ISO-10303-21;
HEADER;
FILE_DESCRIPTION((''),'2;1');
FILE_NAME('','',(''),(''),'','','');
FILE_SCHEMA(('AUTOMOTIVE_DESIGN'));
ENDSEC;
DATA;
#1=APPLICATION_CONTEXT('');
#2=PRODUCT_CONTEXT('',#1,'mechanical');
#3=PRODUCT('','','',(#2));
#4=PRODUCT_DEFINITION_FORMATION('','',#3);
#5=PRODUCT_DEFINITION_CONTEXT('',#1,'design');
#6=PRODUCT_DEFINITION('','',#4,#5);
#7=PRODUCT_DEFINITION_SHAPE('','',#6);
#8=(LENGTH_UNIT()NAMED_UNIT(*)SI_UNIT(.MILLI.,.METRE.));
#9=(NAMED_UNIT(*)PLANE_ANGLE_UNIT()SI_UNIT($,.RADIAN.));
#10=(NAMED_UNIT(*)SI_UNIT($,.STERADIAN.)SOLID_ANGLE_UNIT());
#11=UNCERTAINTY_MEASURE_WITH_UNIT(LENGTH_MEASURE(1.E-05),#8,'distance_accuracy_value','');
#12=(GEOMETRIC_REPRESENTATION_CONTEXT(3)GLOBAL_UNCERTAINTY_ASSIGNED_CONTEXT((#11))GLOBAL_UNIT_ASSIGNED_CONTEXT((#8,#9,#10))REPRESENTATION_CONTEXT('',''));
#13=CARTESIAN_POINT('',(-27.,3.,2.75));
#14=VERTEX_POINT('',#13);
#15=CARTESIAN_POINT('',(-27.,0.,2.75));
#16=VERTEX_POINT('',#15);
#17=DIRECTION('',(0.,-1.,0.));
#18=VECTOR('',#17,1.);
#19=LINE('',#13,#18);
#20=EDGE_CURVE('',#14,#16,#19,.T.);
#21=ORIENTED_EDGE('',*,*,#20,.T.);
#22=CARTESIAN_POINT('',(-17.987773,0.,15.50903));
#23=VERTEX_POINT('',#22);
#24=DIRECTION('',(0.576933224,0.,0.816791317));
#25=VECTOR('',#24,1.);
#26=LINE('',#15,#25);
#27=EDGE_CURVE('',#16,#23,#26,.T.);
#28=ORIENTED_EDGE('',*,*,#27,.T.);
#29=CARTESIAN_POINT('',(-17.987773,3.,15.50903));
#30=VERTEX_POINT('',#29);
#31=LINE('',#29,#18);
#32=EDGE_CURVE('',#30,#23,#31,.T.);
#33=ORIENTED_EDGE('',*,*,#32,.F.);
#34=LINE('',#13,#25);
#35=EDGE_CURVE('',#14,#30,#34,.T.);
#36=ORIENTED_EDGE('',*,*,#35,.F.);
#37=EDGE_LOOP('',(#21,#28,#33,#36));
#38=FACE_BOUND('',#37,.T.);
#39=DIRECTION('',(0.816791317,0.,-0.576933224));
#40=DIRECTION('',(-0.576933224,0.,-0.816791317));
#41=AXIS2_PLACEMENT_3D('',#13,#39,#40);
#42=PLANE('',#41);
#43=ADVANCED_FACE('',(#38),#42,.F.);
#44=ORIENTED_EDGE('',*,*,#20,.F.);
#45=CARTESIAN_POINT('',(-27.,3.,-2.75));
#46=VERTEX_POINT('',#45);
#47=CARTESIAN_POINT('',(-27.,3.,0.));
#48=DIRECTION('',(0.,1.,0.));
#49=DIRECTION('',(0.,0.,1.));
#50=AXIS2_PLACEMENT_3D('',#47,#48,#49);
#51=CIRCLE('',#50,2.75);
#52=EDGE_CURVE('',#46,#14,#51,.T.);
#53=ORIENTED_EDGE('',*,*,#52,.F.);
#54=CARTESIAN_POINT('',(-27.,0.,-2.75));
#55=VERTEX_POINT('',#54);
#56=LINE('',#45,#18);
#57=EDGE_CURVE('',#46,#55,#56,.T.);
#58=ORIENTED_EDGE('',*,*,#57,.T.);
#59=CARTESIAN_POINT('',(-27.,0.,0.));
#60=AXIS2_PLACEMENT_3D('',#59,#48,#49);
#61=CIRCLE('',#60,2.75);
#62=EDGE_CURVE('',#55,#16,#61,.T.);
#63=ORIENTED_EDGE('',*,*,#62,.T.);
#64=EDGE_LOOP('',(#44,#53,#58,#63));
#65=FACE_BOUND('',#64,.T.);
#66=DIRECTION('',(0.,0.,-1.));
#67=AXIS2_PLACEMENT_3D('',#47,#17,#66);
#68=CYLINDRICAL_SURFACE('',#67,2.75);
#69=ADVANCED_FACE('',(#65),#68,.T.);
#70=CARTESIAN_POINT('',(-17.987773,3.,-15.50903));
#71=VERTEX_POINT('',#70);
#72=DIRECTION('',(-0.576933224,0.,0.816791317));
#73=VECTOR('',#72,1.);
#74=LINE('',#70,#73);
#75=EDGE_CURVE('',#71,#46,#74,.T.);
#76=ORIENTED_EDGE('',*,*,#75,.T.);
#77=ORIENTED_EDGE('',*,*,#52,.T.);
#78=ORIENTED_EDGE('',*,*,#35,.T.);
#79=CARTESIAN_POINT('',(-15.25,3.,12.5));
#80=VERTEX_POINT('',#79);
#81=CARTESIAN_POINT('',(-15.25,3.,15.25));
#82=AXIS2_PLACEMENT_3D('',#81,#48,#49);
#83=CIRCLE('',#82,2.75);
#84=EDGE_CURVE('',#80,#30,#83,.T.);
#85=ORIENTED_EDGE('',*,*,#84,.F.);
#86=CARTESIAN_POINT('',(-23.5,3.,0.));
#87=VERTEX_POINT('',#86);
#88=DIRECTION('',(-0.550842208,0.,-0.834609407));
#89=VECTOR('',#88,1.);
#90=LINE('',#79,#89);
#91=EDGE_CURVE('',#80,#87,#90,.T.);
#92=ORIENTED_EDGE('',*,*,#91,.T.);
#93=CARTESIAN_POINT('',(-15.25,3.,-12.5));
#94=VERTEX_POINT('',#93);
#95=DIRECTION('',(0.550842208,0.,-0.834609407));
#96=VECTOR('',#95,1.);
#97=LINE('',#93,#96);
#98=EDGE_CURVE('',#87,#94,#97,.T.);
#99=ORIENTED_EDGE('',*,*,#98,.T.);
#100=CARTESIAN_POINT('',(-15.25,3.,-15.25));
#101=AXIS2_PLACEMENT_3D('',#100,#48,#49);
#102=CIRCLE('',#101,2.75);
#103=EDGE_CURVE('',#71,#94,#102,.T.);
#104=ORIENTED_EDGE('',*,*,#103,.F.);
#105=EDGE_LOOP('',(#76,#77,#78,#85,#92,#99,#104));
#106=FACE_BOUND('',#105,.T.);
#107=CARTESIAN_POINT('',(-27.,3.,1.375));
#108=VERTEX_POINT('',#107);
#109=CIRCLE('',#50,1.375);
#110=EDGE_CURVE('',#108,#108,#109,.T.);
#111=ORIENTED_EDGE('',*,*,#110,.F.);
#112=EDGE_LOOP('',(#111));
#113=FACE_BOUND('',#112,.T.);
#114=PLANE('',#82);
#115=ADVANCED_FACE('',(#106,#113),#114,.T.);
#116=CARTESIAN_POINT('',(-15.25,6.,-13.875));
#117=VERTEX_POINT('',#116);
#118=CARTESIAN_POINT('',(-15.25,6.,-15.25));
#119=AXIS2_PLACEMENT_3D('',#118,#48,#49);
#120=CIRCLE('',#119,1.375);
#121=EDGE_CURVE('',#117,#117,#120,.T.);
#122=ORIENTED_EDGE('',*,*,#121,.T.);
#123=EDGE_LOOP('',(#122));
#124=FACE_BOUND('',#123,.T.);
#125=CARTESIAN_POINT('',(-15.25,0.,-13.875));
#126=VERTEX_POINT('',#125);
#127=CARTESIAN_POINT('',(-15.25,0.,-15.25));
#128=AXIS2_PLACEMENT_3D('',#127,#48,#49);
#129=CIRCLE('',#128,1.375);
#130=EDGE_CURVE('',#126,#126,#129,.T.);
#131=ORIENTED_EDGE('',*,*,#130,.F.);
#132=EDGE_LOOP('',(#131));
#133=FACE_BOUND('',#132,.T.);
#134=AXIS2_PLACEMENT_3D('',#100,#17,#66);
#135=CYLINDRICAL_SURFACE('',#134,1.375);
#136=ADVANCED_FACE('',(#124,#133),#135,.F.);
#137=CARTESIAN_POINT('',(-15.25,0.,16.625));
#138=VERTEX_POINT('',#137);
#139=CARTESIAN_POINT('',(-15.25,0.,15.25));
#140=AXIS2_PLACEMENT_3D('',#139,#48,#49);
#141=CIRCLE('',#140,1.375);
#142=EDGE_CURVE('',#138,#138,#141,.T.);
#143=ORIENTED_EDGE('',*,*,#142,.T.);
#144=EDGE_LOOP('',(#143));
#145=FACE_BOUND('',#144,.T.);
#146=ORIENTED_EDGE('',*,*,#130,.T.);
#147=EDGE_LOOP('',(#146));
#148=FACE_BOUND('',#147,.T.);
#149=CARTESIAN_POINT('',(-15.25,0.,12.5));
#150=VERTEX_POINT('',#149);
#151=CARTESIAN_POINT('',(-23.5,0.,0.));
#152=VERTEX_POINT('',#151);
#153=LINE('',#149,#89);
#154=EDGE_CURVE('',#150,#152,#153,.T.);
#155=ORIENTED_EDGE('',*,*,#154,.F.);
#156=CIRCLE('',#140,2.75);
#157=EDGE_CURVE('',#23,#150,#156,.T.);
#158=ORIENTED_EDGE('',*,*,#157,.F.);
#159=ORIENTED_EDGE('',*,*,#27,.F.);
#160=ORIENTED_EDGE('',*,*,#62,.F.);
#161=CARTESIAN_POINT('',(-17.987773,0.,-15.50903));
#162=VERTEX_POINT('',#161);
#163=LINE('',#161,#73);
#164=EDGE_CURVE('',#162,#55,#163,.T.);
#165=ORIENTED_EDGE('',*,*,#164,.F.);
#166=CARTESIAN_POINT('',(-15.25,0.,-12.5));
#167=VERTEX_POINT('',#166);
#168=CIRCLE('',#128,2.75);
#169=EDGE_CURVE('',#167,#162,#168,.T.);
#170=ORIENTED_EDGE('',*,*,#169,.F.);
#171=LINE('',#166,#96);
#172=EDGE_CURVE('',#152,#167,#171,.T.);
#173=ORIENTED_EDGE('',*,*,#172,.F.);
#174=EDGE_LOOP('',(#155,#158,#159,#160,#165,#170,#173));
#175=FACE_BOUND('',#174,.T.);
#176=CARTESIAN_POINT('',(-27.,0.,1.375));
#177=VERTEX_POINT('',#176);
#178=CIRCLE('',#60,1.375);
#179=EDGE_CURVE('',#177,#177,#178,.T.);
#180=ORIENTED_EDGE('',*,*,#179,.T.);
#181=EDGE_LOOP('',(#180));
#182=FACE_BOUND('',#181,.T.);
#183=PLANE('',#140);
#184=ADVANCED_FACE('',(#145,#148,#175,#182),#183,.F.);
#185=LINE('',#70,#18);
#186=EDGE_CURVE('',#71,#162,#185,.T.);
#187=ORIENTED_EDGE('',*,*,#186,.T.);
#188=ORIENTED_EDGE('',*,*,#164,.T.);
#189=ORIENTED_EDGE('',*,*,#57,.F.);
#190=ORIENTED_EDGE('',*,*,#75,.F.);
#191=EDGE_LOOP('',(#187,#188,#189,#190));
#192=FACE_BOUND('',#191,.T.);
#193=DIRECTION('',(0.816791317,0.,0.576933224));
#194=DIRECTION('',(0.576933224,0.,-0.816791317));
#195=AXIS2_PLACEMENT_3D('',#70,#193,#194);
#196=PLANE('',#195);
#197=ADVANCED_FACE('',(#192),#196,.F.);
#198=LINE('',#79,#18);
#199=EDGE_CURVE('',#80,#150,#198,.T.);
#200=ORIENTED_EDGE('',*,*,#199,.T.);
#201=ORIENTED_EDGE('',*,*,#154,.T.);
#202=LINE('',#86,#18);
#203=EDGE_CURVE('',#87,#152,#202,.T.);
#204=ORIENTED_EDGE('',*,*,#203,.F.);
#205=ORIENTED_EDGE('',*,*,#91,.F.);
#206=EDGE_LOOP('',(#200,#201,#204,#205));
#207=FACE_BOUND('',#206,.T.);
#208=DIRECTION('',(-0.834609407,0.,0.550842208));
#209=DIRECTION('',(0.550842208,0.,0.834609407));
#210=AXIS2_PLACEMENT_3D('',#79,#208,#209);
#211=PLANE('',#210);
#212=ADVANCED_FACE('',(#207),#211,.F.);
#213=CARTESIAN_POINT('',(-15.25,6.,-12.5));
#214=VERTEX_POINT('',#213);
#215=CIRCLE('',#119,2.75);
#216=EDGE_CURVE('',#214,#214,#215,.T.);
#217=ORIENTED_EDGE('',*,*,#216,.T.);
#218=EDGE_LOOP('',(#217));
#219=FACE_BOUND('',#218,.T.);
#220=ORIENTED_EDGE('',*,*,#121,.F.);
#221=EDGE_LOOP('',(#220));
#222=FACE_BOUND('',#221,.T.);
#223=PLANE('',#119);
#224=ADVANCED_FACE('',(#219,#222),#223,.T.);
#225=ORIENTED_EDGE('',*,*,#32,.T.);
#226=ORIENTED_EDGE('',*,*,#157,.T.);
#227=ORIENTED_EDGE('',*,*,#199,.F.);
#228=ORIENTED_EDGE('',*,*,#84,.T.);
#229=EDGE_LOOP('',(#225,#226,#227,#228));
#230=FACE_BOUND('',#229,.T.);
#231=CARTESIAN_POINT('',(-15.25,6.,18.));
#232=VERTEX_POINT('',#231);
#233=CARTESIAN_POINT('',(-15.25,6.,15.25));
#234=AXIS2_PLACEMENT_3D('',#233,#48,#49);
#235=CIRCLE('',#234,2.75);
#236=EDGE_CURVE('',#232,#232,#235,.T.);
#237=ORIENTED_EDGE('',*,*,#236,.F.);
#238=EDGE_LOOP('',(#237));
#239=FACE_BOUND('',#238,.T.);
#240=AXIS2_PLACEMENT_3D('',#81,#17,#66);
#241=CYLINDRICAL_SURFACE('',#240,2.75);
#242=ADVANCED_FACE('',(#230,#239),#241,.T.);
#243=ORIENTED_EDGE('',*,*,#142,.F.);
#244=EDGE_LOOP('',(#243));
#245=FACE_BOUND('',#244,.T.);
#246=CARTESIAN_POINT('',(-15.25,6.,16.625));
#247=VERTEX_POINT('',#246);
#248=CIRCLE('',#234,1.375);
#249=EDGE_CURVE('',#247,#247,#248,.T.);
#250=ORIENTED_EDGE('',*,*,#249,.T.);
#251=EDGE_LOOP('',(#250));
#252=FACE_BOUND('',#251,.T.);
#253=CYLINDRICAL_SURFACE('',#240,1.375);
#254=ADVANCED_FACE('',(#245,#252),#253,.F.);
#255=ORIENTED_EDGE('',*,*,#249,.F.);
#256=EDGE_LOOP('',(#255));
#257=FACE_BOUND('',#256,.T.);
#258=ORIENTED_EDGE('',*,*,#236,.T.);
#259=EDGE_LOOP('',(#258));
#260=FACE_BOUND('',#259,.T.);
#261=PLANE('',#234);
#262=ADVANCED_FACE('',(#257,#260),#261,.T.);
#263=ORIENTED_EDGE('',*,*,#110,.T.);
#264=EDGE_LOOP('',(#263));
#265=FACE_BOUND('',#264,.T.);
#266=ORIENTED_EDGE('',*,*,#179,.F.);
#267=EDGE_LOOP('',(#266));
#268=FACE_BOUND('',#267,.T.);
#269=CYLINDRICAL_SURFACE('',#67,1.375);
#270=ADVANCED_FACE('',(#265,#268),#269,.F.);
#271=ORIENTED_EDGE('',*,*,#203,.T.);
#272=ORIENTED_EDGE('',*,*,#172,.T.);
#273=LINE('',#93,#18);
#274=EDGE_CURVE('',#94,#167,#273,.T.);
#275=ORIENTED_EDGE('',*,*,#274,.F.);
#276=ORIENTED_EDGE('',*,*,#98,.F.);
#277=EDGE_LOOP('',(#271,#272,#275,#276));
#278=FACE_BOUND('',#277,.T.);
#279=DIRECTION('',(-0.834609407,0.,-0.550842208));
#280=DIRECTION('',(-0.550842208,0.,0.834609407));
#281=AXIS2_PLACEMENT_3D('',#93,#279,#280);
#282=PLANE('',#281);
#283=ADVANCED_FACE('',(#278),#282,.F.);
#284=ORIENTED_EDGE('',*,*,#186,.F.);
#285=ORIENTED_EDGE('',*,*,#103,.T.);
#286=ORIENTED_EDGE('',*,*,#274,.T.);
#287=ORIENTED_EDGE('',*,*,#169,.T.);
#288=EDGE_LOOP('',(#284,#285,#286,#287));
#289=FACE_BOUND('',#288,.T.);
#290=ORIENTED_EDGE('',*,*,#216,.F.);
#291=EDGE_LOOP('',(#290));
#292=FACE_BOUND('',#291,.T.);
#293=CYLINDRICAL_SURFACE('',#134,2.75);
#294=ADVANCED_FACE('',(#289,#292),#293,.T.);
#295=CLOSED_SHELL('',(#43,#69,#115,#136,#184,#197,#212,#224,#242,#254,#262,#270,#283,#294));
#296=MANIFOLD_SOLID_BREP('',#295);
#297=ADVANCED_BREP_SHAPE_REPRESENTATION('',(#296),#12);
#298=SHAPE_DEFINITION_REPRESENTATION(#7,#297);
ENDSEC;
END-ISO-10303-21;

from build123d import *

# Parameters (mm, degrees)
SKETCH2_R           = 1.375
BOSS_EXTRUDE1_DEPTH = 3
SKETCH3_R           = 2.75
SKETCH3_R_2         = 1.375
BOSS_EXTRUDE2_DEPTH = 3


with BuildPart() as part:
    # Sketch2 → Boss-Extrude1 (new body)
    with BuildSketch(Plane(origin=(0, 0, 0), x_dir=(1, 0, 0), z_dir=(0, 1, 0))):
        with BuildLine():
            Line((-27, -2.75), (-17.987773433, -15.509030166))
            ThreePointArc((-17.987773433, -15.509030166), (-13.21593597, -17.100698117), (-15.25, -12.5))
            Line((-15.25, -12.5), (-23.5, 0))
            Line((-23.5, 0), (-15.25, 12.5))
            ThreePointArc((-15.25, 12.5), (-13.21593597, 17.100698117), (-17.987773433, 15.509030166))
            Line((-17.987773433, 15.509030166), (-27, 2.75))
            ThreePointArc((-27, 2.75), (-29.75, 0), (-27, -2.75))
        make_face()
        with Locations(Location((-27, 0, 0), (0, 0, 270))):
            Circle(SKETCH2_R, mode=Mode.SUBTRACT)
        with Locations(Location((-15.25, 15.25, 0), (0, 0, 270))):
            Circle(SKETCH2_R, mode=Mode.SUBTRACT)
        with Locations(Location((-15.25, -15.25, 0), (0, 0, 270))):
            Circle(SKETCH2_R, mode=Mode.SUBTRACT)
    extrude(amount=BOSS_EXTRUDE1_DEPTH)

    # Sketch3 → Boss-Extrude2 (add)
    # profile 1 of 2: a face of its own
    with BuildSketch(Plane(origin=(0, 3, 0), x_dir=(1, 0, 0), z_dir=(0, 1, 0))):
        with Locations(Location((-15.25, 15.25, 0), (0, 0, 270))):
            Circle(SKETCH3_R)
        with Locations(Location((-15.25, 15.25, 0), (0, 0, 270))):
            Circle(SKETCH3_R_2, mode=Mode.SUBTRACT)
    # profile 2 of 2: a face of its own
    with BuildSketch(Plane(origin=(0, 3, 0), x_dir=(1, 0, 0), z_dir=(0, 1, 0))):
        with Locations(Location((-15.25, -15.25, 0), (0, 0, 90))):
            Circle(SKETCH3_R)
        with Locations(Location((-15.25, -15.25, 0), (0, 0, 270))):
            Circle(SKETCH3_R_2, mode=Mode.SUBTRACT)
    extrude(amount=BOSS_EXTRUDE2_DEPTH)


solid = part.part
